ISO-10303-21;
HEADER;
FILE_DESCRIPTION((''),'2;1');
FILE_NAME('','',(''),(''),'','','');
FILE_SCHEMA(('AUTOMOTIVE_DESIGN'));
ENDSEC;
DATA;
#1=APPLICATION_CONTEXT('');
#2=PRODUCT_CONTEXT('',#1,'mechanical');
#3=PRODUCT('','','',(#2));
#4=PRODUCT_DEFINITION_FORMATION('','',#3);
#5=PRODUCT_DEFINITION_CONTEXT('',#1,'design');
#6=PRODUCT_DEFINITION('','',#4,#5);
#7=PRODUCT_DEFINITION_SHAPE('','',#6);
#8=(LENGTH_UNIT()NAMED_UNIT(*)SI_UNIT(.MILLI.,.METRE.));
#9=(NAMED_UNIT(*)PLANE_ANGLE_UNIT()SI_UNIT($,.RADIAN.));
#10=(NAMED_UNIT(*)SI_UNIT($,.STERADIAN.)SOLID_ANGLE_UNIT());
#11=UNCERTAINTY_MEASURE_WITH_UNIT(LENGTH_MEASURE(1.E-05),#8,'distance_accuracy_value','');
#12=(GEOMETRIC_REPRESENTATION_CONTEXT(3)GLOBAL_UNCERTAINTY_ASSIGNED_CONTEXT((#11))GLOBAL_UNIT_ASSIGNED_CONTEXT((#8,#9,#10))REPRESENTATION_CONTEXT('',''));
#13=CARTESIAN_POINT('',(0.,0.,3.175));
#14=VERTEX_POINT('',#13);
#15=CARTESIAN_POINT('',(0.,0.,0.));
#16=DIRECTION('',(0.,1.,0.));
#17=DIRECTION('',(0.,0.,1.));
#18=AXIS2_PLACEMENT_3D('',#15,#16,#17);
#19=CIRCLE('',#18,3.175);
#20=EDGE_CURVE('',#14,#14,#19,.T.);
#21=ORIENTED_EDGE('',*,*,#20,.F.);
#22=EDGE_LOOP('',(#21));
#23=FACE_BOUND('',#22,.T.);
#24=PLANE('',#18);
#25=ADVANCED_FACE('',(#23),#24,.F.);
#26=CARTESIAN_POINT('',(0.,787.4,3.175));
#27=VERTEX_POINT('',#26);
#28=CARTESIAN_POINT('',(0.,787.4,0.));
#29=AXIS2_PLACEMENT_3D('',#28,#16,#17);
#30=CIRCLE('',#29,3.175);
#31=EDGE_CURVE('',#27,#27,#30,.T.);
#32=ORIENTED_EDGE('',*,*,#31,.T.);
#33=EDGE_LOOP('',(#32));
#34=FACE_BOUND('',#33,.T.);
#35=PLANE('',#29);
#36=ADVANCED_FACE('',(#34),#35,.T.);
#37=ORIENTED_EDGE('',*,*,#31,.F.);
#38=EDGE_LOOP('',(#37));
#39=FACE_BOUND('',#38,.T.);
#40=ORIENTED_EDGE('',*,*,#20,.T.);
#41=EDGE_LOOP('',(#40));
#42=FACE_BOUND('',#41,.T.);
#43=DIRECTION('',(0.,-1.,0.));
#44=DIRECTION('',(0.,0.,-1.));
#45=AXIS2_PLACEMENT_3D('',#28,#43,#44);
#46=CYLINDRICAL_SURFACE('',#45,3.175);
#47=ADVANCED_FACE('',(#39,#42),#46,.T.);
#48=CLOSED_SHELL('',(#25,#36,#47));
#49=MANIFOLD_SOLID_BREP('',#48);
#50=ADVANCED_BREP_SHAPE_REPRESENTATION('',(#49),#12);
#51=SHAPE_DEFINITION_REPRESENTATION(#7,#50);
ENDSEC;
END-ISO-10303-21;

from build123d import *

# Parameters (mm, degrees)
SKETCH1_R           = 3.175
BOSS_EXTRUDE1_DEPTH = 787.4


with BuildPart() as part:
    # Sketch1 → Boss-Extrude1 (new body)
    with BuildSketch(Plane(origin=(0, 0, 0), x_dir=(1, 0, 0), z_dir=(0, 1, 0))):
        with Locations(Location((0, 0, 0), (0, 0, 270))):
            Circle(SKETCH1_R)
    extrude(amount=BOSS_EXTRUDE1_DEPTH)


solid = part.part
